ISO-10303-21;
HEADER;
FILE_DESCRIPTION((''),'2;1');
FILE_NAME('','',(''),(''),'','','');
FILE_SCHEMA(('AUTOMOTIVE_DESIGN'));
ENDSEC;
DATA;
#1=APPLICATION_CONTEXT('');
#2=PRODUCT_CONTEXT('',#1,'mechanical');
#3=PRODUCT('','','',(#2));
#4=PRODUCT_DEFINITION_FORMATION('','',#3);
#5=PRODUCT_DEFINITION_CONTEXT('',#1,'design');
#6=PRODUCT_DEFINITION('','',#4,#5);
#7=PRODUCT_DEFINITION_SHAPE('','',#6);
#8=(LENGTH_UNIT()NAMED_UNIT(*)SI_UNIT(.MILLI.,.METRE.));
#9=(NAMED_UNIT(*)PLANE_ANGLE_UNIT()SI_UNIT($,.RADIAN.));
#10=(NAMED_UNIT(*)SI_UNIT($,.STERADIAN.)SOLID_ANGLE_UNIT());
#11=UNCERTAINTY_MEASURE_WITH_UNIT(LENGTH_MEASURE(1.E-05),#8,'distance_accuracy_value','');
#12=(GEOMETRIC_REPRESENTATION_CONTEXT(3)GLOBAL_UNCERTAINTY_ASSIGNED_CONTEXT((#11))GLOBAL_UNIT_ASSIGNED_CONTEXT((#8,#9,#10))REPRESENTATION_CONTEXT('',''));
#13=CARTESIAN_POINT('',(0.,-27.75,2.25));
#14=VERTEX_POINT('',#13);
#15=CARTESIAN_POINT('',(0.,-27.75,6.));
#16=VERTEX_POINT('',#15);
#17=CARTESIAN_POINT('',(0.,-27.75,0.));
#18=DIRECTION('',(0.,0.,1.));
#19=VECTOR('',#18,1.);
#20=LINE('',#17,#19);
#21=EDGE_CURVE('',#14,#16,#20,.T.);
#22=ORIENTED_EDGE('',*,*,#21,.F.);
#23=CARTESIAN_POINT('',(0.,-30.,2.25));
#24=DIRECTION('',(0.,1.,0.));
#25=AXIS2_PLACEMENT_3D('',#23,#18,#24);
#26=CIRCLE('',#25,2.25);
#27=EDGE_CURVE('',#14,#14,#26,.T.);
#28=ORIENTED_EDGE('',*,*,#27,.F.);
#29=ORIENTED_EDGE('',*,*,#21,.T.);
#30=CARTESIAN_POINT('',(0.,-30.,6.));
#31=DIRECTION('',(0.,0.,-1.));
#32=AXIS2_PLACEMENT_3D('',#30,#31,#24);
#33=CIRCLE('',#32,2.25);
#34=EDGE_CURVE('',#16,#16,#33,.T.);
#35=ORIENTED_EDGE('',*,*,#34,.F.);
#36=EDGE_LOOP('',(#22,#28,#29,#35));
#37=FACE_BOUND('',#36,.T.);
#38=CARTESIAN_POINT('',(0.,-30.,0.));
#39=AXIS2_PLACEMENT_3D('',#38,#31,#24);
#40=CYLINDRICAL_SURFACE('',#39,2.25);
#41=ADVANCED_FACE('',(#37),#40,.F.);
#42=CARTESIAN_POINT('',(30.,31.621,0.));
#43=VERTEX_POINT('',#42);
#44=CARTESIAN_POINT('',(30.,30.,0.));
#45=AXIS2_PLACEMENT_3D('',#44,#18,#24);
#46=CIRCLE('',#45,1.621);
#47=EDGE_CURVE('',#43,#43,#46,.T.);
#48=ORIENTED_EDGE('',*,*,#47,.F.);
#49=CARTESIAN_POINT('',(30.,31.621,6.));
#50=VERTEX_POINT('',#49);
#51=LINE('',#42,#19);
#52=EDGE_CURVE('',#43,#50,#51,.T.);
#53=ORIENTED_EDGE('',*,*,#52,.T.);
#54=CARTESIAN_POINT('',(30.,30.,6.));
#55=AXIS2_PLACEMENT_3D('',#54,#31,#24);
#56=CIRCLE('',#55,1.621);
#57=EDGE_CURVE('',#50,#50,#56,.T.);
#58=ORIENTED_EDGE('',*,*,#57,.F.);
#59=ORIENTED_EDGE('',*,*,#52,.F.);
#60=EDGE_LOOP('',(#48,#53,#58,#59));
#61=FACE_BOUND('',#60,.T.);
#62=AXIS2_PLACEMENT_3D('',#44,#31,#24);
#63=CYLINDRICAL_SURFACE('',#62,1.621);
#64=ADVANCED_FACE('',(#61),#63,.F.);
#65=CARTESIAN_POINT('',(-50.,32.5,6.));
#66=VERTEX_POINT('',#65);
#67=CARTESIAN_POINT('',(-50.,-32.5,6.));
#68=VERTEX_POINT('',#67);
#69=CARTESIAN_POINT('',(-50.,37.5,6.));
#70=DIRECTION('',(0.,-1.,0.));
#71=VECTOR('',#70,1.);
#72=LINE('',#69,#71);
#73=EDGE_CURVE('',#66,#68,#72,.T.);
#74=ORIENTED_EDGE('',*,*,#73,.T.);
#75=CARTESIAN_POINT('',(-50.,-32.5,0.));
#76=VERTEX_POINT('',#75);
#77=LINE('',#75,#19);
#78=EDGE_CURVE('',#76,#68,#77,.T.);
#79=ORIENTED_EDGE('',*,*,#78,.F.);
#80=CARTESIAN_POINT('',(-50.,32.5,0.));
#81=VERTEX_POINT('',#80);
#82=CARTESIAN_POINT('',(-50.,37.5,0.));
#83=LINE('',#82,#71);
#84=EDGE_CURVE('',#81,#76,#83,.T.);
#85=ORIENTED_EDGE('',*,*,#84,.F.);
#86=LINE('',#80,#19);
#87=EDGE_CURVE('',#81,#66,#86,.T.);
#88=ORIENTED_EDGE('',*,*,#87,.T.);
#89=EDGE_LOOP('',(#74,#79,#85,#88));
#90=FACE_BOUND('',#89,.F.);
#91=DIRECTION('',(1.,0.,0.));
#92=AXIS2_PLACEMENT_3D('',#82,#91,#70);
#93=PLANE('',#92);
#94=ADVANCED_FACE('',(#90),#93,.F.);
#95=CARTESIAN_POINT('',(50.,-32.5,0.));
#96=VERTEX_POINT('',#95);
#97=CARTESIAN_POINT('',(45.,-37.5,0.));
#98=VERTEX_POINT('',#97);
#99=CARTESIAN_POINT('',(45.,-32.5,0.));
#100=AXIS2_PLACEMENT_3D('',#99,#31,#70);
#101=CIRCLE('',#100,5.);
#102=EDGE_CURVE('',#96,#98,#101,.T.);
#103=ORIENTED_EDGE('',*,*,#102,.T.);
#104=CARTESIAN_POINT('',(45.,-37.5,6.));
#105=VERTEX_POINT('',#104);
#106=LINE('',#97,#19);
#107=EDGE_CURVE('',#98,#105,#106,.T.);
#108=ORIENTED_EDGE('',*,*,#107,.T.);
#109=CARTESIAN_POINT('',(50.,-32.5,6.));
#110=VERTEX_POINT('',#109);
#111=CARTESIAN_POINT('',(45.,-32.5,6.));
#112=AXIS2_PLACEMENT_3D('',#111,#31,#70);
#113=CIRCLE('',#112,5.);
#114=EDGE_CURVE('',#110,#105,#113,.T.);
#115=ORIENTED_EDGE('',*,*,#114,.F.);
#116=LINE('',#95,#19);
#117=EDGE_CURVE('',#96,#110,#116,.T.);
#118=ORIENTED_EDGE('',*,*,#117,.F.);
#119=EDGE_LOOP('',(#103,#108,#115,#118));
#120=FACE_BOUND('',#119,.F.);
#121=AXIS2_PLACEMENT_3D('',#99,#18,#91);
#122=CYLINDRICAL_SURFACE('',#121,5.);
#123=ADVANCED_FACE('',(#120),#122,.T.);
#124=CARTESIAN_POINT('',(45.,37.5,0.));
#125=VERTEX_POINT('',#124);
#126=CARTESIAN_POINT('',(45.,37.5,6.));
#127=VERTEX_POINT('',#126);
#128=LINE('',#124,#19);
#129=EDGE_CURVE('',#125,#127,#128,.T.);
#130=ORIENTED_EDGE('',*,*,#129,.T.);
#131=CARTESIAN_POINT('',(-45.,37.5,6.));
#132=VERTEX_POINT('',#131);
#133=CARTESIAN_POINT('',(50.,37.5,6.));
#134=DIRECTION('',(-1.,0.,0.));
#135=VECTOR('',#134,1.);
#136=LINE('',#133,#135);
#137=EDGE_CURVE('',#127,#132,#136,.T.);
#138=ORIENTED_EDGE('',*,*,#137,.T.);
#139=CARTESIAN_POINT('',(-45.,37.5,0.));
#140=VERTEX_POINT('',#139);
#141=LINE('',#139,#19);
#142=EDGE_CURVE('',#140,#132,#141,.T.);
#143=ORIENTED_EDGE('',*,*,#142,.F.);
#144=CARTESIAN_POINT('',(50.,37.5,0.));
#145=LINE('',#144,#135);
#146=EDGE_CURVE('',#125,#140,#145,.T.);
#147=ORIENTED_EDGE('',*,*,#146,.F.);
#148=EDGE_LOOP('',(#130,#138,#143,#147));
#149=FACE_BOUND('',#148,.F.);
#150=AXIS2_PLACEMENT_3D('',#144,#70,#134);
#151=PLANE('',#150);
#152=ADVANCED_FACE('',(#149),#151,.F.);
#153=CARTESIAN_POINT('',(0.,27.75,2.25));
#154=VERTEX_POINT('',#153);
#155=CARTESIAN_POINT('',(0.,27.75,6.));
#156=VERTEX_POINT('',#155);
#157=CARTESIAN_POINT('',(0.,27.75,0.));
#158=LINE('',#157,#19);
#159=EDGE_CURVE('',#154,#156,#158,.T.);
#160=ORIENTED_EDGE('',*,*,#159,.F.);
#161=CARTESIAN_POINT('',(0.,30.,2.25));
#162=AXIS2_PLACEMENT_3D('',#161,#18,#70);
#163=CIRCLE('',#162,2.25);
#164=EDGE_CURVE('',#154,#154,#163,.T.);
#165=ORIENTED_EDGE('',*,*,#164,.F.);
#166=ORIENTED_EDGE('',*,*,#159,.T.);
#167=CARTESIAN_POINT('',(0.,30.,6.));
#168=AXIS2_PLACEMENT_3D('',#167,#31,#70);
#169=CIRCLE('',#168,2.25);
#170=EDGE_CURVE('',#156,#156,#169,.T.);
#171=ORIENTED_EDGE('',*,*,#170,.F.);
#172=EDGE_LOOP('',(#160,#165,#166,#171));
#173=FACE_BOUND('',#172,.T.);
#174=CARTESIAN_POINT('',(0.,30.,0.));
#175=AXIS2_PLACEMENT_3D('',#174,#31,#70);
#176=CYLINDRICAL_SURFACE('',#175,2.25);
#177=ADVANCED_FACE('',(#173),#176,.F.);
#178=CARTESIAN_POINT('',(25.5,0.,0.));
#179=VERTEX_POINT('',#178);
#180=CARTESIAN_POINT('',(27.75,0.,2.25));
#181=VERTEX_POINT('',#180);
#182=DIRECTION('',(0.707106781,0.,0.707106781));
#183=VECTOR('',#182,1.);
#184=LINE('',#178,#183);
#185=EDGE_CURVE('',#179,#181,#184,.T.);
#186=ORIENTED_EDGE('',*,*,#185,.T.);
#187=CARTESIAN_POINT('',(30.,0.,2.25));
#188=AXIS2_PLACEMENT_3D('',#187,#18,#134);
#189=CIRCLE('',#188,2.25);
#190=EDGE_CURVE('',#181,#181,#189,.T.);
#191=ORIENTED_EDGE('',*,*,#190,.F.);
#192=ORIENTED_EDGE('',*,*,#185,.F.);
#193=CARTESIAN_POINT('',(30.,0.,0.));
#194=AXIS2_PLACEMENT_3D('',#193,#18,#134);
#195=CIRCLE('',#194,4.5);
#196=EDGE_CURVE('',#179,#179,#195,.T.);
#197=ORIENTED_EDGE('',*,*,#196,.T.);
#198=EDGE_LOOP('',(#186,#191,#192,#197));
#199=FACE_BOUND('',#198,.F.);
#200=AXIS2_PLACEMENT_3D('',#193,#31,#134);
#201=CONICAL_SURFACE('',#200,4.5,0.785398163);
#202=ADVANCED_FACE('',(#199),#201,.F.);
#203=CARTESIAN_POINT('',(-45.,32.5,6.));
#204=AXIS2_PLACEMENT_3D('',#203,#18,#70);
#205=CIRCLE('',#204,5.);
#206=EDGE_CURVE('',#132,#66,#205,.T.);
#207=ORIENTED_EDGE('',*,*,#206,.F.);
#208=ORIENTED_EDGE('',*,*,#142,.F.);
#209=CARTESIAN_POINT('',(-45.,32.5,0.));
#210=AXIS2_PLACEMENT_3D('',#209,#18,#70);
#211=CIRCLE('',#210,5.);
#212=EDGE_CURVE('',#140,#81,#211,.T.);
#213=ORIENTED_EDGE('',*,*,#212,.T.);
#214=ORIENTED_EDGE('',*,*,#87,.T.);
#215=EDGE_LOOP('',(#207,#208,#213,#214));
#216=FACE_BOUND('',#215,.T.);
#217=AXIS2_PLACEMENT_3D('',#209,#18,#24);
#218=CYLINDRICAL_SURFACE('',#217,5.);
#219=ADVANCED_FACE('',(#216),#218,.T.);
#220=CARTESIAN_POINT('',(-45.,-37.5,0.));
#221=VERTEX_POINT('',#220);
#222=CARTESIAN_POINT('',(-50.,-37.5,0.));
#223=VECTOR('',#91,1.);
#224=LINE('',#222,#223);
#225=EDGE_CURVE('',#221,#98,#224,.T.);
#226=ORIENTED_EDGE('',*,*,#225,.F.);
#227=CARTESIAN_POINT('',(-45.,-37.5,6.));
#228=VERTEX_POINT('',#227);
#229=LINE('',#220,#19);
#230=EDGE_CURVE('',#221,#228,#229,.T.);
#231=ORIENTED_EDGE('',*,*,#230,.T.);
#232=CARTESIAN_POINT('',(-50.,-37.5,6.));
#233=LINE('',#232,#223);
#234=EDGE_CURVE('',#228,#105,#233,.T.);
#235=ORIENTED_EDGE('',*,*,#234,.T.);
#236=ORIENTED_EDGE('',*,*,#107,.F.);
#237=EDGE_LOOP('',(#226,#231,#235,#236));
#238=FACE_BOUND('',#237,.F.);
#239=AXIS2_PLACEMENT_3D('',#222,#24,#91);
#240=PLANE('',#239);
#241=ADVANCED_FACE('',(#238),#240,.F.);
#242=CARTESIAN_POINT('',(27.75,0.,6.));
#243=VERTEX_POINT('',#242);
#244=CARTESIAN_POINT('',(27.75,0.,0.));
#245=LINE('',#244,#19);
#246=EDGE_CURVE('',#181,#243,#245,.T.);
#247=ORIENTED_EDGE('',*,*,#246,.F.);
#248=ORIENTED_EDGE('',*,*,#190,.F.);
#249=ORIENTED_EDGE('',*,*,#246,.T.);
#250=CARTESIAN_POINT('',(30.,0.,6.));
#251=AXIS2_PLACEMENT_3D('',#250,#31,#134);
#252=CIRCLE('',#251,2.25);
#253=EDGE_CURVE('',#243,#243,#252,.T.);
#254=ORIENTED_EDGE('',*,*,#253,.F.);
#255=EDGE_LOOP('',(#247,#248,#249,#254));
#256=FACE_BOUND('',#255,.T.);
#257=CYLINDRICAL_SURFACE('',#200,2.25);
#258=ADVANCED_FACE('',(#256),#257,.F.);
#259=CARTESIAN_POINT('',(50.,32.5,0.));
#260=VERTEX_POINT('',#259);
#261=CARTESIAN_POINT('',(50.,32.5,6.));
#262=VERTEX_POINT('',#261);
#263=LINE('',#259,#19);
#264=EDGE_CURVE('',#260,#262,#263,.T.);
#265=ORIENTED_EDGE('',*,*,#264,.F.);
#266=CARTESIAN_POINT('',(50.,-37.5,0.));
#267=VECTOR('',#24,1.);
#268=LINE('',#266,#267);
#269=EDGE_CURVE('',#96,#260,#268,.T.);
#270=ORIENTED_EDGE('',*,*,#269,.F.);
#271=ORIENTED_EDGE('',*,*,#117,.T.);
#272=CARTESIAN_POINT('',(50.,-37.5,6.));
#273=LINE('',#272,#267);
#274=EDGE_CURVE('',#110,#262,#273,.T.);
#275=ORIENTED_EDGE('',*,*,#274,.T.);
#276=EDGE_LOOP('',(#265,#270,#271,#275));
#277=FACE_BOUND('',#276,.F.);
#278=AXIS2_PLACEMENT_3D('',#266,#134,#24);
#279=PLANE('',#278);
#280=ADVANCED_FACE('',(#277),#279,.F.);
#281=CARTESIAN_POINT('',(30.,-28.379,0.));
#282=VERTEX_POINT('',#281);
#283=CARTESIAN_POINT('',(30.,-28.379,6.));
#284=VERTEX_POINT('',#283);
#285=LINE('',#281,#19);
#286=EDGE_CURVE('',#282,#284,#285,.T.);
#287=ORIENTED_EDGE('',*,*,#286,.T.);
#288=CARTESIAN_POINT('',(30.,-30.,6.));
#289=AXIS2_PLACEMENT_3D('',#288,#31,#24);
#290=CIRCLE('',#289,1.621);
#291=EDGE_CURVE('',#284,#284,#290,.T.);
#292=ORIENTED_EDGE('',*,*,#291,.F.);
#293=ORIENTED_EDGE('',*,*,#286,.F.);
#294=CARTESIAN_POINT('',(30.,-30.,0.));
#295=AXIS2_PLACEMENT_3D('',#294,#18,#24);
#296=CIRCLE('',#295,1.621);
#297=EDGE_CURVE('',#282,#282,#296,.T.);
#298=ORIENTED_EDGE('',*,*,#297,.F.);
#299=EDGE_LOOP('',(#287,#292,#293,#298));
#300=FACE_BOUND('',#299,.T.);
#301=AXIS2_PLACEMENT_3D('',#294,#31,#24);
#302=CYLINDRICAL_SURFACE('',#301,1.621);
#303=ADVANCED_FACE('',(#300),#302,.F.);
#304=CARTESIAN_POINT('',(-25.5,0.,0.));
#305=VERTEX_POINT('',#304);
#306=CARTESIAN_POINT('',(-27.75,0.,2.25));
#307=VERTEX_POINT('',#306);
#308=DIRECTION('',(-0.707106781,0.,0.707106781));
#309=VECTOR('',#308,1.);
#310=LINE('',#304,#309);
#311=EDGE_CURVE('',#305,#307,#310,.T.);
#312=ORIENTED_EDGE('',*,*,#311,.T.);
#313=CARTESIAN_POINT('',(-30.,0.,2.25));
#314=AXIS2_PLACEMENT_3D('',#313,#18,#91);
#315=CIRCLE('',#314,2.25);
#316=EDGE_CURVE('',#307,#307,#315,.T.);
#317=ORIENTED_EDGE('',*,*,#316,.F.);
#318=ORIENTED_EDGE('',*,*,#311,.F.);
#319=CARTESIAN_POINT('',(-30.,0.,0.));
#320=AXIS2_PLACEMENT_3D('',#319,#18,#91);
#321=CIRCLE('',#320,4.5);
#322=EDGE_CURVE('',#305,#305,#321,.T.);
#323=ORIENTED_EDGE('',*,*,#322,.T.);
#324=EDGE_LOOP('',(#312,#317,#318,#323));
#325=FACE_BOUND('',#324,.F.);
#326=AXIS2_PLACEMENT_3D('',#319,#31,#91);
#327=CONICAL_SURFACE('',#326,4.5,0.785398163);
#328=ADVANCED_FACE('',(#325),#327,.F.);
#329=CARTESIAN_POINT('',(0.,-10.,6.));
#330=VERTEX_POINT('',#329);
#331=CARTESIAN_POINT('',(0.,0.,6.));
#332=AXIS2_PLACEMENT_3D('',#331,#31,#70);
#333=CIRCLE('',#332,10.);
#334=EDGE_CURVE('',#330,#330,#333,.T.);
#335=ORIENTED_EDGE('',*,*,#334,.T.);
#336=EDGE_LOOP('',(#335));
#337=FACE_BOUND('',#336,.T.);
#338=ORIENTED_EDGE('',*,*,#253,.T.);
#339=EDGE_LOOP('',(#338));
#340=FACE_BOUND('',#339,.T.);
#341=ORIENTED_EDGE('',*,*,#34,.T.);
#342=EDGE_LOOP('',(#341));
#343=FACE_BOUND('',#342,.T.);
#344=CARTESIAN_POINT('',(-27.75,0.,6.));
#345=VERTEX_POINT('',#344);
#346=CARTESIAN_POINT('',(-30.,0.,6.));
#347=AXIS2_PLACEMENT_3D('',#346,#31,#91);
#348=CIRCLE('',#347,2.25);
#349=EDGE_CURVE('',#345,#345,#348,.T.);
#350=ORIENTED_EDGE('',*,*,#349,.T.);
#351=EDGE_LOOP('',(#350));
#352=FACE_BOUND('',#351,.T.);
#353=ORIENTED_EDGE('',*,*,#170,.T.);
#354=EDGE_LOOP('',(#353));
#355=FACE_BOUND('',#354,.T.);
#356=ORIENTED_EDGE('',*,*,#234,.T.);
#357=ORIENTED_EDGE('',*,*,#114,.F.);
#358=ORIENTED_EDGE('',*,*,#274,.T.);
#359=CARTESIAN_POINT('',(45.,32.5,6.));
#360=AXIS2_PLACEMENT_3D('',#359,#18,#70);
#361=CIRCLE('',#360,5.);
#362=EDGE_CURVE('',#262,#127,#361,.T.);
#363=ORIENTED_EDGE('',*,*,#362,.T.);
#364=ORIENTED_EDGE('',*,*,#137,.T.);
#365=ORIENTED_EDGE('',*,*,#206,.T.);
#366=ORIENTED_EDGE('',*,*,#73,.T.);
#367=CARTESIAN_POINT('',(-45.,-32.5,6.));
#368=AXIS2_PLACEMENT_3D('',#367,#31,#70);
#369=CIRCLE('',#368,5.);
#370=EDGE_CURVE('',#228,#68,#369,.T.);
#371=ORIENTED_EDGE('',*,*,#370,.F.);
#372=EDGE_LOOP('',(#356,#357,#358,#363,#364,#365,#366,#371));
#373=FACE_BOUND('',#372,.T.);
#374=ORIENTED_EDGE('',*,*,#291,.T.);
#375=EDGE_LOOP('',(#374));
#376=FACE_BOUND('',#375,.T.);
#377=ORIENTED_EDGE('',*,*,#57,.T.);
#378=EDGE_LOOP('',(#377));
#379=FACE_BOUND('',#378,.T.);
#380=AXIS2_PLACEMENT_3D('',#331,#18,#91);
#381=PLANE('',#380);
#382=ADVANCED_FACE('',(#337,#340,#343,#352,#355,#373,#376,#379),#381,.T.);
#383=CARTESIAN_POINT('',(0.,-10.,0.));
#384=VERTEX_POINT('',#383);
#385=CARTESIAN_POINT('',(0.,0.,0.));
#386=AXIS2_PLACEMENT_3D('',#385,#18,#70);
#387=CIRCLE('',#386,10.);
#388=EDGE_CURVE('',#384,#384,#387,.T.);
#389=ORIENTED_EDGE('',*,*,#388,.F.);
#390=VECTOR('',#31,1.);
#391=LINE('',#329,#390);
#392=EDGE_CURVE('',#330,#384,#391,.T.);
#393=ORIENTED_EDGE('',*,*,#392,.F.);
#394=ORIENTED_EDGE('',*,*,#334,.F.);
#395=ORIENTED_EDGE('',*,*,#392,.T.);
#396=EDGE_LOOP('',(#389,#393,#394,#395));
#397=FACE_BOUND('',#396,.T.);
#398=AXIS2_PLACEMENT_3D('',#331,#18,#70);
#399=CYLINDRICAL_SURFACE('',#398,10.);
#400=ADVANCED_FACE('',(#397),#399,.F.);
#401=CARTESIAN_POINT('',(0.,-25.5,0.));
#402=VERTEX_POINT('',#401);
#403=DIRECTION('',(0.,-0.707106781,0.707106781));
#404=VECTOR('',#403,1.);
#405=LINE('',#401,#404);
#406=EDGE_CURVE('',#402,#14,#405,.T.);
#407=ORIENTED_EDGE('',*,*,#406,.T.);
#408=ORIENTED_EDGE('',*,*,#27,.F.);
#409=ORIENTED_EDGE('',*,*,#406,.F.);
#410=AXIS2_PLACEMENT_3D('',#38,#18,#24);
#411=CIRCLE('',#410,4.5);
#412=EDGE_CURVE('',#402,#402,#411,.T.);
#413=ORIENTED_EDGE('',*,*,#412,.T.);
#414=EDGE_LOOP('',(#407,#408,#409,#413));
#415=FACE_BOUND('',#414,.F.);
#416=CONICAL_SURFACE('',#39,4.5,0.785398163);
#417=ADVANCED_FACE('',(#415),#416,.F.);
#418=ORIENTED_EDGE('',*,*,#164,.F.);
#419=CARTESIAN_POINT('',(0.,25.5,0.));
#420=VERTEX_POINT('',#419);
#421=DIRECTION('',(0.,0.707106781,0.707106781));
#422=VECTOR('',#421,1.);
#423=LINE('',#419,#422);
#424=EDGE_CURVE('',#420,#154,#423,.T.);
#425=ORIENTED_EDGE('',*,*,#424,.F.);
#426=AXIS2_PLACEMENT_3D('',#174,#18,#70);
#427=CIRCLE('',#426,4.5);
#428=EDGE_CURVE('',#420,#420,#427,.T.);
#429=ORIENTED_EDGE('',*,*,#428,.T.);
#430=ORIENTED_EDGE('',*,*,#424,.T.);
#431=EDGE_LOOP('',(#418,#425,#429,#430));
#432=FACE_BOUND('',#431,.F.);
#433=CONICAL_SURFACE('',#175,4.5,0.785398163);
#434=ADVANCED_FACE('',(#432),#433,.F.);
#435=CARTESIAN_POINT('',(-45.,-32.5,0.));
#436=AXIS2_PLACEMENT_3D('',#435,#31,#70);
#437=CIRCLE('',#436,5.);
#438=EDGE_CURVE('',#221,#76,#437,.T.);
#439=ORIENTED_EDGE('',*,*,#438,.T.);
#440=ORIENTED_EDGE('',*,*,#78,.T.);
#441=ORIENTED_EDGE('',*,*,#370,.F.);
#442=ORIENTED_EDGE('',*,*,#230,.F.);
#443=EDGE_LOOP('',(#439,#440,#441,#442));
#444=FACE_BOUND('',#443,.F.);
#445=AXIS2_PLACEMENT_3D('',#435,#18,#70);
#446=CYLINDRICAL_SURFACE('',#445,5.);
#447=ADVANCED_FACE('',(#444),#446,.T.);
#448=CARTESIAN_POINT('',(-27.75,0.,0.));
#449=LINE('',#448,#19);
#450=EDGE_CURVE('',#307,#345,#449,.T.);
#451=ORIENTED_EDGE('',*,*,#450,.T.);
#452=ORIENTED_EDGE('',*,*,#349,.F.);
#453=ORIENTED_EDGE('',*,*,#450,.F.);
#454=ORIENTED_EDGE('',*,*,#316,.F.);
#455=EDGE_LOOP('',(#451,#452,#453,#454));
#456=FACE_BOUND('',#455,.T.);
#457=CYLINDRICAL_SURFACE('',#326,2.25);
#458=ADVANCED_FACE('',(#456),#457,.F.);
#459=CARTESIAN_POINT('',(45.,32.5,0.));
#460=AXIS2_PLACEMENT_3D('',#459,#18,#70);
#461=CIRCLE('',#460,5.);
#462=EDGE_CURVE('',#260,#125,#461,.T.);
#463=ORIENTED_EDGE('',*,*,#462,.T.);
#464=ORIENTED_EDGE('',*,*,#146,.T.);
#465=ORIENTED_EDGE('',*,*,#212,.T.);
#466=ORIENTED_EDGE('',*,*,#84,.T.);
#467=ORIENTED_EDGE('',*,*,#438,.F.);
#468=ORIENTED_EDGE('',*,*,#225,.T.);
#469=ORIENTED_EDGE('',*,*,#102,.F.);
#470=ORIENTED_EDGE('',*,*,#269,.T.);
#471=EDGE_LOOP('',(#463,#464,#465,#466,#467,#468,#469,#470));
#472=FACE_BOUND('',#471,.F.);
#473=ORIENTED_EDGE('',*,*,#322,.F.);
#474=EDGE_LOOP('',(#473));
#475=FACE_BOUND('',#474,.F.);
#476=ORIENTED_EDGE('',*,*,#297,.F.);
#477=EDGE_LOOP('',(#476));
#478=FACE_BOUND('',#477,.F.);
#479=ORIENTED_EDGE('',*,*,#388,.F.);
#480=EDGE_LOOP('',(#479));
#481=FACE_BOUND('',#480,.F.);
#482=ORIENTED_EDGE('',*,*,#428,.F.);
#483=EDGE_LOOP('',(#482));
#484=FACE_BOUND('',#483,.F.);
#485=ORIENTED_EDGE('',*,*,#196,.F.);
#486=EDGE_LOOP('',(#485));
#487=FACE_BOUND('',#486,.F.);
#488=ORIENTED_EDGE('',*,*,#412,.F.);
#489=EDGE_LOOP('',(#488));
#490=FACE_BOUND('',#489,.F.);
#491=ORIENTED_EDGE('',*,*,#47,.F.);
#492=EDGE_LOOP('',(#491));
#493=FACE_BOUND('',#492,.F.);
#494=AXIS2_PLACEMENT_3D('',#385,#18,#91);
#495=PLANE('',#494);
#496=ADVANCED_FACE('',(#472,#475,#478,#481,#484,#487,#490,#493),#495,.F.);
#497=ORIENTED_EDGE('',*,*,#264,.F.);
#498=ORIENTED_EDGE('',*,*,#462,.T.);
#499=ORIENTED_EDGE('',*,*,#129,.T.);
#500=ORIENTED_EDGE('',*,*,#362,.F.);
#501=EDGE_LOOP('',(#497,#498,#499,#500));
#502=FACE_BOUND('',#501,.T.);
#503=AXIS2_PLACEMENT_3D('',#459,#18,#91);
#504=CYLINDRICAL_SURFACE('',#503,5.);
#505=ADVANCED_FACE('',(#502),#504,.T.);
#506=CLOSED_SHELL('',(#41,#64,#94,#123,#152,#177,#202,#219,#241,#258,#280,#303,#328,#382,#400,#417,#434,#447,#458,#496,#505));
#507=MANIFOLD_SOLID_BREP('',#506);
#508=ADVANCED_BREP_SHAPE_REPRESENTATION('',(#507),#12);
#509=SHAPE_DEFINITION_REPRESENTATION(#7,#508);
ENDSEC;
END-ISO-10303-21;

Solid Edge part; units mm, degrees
sketch "Sketch1" plane through (60.3162, 60.3162, 0) normal (0, 0, 1) x (1, 0, 0)
  line L0 (-110.3162, -97.8162) -> (-10.3162, -97.8162)
  line L1 (-10.3162, -97.8162) -> (-10.3162, -22.8162)
  line L2 (-10.3162, -22.8162) -> (-110.3162, -22.8162)
  line L3 (-110.3162, -22.8162) -> (-110.3162, -97.8162)
extrude "Protrusion1" add sketch "Sketch1" along normal blind 6
fillet "Verrundung_1" radius 5 1 edges at (50, 37.5, 3)
fillet "Verrundung_2" radius 5 3 edges at (50, -37.5, 3) (-50, -37.5, 3) (-50, 37.5, 3)
hole "Bohrung_1" at (0, 0, 6) direction (0, 0, -1) diameter 20 end up to next
hole "Bohrung_2" at (0, -30, 0) direction (0, 0, 1) diameter 4.5 end up to next countersink diameter 9 countersink angle 90
pattern_circular "Pattern1" count 4 over 360 about axis through (0, 0, 0) along (0, 0, 1) of "Bohrung_2"
hole "Bohrung_4" at (30, -30, 0) direction (0, 0, 1) diameter 3.242 end up to next thread major 4 thread length 10
hole "Hole1" at (30, 30, 0) direction (0, 0, 1) diameter 3.242 end up to next thread major 4 thread length 10
mirror "Mirror1" [suppressed]
properties material "Aluminium, 1060"
